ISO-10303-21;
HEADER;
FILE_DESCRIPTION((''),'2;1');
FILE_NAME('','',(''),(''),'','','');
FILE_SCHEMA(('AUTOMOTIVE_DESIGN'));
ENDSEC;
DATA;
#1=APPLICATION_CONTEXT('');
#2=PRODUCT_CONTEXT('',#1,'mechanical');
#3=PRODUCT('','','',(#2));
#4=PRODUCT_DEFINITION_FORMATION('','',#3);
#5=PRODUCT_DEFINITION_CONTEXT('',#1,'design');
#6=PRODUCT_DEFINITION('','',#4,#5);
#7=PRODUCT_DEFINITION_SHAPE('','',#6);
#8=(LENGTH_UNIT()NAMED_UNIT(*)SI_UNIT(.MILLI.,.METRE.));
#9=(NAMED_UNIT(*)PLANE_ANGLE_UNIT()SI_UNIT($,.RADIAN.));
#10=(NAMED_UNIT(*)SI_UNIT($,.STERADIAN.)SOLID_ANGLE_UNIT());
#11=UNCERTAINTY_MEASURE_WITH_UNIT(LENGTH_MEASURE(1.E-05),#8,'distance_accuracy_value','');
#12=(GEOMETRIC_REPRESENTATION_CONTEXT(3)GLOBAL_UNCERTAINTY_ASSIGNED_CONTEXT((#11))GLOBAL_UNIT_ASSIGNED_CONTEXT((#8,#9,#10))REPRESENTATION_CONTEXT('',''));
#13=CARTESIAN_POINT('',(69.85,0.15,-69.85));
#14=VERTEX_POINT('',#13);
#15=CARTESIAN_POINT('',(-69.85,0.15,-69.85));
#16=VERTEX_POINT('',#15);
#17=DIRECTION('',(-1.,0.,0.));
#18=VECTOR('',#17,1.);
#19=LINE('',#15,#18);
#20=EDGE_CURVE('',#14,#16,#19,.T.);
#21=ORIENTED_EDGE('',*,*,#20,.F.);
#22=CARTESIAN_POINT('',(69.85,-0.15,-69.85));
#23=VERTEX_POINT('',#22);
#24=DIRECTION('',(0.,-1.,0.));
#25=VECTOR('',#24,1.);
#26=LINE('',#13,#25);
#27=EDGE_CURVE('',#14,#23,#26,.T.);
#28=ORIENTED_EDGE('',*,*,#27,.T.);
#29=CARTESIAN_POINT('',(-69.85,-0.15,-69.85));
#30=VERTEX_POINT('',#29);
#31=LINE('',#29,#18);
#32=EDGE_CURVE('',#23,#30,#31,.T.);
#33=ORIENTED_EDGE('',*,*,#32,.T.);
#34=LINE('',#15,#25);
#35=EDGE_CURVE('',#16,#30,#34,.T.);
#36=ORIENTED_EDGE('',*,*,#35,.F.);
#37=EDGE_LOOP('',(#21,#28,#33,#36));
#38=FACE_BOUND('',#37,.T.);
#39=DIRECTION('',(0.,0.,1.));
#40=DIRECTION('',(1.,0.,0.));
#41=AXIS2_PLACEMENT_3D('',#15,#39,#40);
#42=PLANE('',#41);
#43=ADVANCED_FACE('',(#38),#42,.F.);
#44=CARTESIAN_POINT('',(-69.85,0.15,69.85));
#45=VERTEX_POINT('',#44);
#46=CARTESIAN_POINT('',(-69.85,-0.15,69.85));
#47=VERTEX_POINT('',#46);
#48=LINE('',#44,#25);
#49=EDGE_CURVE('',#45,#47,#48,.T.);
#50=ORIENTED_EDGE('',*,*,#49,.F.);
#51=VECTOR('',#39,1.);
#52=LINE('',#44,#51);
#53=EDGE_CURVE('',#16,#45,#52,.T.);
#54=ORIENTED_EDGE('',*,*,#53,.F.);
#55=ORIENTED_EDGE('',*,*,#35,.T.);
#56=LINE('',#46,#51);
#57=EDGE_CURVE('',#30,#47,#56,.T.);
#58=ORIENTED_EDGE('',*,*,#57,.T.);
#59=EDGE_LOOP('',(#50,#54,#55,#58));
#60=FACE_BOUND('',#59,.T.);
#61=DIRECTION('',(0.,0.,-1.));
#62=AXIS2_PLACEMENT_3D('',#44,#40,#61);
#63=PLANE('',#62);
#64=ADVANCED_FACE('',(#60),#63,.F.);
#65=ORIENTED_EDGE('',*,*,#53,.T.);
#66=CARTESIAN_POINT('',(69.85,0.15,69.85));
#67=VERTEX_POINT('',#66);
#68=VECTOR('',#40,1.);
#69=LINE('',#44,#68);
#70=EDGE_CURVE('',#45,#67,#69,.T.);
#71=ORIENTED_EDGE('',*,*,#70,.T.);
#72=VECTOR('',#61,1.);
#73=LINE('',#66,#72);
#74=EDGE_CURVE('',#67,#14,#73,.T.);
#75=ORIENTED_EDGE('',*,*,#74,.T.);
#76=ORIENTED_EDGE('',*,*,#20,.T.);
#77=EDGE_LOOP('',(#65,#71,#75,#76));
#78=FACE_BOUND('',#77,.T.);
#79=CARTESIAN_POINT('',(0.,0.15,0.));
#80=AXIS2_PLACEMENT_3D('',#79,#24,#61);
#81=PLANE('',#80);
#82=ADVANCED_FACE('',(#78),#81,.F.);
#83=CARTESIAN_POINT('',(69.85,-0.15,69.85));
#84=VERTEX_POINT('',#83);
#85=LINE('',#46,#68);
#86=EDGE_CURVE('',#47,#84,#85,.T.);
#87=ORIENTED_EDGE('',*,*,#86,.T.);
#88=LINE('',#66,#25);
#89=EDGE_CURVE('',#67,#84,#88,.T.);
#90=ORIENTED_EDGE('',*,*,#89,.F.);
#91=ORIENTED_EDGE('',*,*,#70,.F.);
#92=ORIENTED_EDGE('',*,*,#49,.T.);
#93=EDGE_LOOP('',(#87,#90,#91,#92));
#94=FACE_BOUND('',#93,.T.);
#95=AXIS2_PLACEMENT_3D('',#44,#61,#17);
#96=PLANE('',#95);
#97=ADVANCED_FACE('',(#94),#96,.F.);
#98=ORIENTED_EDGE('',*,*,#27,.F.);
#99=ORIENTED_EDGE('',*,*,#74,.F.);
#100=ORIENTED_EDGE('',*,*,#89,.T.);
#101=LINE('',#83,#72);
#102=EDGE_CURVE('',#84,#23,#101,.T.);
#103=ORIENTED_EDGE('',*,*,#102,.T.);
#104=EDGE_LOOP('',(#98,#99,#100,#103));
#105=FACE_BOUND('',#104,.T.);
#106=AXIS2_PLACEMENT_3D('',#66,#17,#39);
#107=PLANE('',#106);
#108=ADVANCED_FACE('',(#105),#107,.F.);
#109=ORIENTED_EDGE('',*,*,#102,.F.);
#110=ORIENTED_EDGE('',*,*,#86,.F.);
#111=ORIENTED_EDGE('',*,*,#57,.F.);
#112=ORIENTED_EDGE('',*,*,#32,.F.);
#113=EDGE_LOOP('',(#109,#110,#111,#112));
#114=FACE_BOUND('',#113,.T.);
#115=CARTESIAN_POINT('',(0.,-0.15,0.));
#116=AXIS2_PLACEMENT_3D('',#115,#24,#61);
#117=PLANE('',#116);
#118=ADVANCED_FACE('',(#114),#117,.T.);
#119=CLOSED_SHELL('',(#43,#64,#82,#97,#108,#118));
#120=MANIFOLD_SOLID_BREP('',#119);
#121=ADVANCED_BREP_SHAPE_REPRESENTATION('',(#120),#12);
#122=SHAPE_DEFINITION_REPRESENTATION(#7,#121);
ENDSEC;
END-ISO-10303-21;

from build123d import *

# Parameters (mm, degrees)
SKETCH1_W           = 139.7
SKETCH1_H           = 139.7
BOSS_EXTRUDE1_DEPTH = 0.15


with BuildPart() as part:
    # Sketch1 → Boss-Extrude1 (new, symmetric)
    with BuildSketch(Plane(origin=(0, 0, 0), x_dir=(1, 0, 0), z_dir=(0, 1, 0))):
        Rectangle(SKETCH1_W, SKETCH1_H)
    extrude(amount=BOSS_EXTRUDE1_DEPTH, both=True)


solid = part.part
